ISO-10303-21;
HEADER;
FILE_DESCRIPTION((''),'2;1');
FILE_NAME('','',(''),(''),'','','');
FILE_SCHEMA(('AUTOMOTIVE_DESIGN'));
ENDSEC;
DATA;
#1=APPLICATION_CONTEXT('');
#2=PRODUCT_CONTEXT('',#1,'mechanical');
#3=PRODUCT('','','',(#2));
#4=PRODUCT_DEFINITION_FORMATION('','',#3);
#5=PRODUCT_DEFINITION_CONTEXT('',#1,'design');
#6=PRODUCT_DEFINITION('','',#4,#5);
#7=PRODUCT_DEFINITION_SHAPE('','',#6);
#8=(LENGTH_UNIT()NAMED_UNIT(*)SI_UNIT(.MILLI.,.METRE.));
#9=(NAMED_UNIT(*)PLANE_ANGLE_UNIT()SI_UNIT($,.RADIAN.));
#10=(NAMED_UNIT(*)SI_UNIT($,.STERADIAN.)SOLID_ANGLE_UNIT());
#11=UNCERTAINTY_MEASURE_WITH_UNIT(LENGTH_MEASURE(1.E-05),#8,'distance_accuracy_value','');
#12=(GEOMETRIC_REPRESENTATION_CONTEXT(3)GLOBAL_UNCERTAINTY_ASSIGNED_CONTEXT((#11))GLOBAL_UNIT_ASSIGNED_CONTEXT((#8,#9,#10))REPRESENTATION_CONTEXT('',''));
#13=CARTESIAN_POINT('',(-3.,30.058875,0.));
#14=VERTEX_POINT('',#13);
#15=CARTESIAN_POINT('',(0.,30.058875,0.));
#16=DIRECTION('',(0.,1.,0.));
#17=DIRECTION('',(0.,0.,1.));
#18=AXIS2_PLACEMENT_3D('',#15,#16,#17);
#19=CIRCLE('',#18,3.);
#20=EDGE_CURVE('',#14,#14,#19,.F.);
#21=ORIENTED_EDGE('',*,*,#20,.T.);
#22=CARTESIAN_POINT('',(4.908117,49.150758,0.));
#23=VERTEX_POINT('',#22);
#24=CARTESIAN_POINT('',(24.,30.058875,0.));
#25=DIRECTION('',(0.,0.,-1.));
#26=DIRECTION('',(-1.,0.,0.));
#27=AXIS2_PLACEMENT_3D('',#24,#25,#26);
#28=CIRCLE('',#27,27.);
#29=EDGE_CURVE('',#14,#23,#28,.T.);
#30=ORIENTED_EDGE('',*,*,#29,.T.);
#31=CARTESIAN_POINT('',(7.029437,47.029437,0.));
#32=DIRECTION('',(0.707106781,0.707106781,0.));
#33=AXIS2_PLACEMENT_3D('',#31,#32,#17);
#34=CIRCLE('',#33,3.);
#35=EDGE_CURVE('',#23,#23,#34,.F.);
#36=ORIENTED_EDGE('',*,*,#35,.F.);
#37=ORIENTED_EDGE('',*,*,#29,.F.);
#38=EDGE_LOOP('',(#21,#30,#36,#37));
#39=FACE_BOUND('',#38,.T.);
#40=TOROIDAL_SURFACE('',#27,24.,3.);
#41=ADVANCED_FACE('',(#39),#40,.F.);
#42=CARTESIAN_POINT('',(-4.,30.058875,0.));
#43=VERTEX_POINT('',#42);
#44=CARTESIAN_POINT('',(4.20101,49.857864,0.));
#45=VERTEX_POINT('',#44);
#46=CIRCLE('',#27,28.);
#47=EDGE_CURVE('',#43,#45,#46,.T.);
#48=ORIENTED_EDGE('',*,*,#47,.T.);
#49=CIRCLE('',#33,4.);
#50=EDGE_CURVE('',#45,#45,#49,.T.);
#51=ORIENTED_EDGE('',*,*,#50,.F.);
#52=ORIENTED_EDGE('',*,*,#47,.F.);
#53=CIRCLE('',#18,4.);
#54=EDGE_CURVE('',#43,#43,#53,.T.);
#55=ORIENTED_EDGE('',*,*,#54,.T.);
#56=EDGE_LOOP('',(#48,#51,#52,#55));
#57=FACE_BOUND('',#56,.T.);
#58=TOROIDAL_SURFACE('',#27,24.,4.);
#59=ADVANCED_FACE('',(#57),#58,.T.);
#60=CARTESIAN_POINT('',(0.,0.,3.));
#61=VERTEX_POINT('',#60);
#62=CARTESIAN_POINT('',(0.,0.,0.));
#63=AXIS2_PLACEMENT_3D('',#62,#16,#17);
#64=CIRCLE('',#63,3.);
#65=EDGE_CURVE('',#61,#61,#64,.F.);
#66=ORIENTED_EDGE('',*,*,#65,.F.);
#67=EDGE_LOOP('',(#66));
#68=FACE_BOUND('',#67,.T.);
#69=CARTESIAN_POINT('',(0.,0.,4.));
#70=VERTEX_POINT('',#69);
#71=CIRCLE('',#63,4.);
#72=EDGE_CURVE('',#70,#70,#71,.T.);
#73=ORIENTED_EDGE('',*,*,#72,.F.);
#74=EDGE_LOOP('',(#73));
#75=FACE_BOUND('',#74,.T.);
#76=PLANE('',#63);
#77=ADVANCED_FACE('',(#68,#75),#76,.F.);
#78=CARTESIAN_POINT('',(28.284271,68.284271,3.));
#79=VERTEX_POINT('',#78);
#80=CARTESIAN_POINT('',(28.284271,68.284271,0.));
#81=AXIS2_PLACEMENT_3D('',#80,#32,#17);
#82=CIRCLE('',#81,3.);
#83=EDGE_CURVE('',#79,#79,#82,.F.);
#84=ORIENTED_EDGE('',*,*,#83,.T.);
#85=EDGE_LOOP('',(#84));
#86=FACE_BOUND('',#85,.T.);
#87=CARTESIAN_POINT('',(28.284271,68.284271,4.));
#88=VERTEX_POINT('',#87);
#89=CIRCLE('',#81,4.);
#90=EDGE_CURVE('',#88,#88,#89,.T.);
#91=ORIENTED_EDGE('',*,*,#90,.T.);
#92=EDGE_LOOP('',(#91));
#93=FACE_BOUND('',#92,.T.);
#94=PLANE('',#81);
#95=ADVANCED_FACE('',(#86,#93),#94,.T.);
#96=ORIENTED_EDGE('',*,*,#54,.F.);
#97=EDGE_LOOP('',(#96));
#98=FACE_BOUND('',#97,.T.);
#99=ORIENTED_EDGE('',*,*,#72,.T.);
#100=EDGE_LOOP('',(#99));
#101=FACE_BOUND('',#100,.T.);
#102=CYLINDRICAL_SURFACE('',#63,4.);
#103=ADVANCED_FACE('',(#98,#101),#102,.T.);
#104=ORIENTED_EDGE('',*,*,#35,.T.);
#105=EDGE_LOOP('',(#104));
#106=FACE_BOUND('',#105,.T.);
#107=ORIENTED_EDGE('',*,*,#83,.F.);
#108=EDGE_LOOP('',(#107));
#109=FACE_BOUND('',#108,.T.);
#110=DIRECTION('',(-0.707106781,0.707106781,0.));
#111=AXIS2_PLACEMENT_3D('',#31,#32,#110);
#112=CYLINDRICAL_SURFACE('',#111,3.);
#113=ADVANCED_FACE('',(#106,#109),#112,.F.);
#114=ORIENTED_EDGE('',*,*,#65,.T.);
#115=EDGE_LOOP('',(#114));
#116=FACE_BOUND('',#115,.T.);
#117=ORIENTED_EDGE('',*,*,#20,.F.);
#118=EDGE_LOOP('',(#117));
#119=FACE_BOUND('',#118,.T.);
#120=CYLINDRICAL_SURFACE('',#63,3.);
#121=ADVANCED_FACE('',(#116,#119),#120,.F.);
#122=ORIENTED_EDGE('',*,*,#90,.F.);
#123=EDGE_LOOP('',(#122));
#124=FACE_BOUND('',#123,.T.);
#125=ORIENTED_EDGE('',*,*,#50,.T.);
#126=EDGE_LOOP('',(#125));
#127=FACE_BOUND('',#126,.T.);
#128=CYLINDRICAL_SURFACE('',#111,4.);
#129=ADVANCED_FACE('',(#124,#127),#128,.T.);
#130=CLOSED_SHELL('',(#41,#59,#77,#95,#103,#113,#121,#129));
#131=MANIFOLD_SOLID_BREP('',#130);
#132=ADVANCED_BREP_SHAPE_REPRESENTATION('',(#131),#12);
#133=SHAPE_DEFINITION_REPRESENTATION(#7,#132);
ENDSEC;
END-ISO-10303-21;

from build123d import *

# Parameters (mm, degrees)
SKETCH2_R   = 4
SKETCH2_R_2 = 3


with BuildPart() as part:
    # Sweep1: sweep along a path in Sketch1
    with BuildLine(Plane.XY) as sweep1_path:
        Line((0, 0), (0, 30.058874503))
        ThreePointArc((0, 30.058874503), (1.82689122, 39.24327688), (7.029437252, 47.029437252))
        Line((7.029437252, 47.029437252), (28.284271247, 68.284271247))
    # Sketch2 → Sweep1 (sweep)
    with BuildSketch(Plane(origin=(0, 0, 0), x_dir=(1, 0, 0), z_dir=(0, 1, 0))):
        Circle(SKETCH2_R)
        Circle(SKETCH2_R_2, mode=Mode.SUBTRACT)
    sweep(path=sweep1_path.line)


solid = part.part
